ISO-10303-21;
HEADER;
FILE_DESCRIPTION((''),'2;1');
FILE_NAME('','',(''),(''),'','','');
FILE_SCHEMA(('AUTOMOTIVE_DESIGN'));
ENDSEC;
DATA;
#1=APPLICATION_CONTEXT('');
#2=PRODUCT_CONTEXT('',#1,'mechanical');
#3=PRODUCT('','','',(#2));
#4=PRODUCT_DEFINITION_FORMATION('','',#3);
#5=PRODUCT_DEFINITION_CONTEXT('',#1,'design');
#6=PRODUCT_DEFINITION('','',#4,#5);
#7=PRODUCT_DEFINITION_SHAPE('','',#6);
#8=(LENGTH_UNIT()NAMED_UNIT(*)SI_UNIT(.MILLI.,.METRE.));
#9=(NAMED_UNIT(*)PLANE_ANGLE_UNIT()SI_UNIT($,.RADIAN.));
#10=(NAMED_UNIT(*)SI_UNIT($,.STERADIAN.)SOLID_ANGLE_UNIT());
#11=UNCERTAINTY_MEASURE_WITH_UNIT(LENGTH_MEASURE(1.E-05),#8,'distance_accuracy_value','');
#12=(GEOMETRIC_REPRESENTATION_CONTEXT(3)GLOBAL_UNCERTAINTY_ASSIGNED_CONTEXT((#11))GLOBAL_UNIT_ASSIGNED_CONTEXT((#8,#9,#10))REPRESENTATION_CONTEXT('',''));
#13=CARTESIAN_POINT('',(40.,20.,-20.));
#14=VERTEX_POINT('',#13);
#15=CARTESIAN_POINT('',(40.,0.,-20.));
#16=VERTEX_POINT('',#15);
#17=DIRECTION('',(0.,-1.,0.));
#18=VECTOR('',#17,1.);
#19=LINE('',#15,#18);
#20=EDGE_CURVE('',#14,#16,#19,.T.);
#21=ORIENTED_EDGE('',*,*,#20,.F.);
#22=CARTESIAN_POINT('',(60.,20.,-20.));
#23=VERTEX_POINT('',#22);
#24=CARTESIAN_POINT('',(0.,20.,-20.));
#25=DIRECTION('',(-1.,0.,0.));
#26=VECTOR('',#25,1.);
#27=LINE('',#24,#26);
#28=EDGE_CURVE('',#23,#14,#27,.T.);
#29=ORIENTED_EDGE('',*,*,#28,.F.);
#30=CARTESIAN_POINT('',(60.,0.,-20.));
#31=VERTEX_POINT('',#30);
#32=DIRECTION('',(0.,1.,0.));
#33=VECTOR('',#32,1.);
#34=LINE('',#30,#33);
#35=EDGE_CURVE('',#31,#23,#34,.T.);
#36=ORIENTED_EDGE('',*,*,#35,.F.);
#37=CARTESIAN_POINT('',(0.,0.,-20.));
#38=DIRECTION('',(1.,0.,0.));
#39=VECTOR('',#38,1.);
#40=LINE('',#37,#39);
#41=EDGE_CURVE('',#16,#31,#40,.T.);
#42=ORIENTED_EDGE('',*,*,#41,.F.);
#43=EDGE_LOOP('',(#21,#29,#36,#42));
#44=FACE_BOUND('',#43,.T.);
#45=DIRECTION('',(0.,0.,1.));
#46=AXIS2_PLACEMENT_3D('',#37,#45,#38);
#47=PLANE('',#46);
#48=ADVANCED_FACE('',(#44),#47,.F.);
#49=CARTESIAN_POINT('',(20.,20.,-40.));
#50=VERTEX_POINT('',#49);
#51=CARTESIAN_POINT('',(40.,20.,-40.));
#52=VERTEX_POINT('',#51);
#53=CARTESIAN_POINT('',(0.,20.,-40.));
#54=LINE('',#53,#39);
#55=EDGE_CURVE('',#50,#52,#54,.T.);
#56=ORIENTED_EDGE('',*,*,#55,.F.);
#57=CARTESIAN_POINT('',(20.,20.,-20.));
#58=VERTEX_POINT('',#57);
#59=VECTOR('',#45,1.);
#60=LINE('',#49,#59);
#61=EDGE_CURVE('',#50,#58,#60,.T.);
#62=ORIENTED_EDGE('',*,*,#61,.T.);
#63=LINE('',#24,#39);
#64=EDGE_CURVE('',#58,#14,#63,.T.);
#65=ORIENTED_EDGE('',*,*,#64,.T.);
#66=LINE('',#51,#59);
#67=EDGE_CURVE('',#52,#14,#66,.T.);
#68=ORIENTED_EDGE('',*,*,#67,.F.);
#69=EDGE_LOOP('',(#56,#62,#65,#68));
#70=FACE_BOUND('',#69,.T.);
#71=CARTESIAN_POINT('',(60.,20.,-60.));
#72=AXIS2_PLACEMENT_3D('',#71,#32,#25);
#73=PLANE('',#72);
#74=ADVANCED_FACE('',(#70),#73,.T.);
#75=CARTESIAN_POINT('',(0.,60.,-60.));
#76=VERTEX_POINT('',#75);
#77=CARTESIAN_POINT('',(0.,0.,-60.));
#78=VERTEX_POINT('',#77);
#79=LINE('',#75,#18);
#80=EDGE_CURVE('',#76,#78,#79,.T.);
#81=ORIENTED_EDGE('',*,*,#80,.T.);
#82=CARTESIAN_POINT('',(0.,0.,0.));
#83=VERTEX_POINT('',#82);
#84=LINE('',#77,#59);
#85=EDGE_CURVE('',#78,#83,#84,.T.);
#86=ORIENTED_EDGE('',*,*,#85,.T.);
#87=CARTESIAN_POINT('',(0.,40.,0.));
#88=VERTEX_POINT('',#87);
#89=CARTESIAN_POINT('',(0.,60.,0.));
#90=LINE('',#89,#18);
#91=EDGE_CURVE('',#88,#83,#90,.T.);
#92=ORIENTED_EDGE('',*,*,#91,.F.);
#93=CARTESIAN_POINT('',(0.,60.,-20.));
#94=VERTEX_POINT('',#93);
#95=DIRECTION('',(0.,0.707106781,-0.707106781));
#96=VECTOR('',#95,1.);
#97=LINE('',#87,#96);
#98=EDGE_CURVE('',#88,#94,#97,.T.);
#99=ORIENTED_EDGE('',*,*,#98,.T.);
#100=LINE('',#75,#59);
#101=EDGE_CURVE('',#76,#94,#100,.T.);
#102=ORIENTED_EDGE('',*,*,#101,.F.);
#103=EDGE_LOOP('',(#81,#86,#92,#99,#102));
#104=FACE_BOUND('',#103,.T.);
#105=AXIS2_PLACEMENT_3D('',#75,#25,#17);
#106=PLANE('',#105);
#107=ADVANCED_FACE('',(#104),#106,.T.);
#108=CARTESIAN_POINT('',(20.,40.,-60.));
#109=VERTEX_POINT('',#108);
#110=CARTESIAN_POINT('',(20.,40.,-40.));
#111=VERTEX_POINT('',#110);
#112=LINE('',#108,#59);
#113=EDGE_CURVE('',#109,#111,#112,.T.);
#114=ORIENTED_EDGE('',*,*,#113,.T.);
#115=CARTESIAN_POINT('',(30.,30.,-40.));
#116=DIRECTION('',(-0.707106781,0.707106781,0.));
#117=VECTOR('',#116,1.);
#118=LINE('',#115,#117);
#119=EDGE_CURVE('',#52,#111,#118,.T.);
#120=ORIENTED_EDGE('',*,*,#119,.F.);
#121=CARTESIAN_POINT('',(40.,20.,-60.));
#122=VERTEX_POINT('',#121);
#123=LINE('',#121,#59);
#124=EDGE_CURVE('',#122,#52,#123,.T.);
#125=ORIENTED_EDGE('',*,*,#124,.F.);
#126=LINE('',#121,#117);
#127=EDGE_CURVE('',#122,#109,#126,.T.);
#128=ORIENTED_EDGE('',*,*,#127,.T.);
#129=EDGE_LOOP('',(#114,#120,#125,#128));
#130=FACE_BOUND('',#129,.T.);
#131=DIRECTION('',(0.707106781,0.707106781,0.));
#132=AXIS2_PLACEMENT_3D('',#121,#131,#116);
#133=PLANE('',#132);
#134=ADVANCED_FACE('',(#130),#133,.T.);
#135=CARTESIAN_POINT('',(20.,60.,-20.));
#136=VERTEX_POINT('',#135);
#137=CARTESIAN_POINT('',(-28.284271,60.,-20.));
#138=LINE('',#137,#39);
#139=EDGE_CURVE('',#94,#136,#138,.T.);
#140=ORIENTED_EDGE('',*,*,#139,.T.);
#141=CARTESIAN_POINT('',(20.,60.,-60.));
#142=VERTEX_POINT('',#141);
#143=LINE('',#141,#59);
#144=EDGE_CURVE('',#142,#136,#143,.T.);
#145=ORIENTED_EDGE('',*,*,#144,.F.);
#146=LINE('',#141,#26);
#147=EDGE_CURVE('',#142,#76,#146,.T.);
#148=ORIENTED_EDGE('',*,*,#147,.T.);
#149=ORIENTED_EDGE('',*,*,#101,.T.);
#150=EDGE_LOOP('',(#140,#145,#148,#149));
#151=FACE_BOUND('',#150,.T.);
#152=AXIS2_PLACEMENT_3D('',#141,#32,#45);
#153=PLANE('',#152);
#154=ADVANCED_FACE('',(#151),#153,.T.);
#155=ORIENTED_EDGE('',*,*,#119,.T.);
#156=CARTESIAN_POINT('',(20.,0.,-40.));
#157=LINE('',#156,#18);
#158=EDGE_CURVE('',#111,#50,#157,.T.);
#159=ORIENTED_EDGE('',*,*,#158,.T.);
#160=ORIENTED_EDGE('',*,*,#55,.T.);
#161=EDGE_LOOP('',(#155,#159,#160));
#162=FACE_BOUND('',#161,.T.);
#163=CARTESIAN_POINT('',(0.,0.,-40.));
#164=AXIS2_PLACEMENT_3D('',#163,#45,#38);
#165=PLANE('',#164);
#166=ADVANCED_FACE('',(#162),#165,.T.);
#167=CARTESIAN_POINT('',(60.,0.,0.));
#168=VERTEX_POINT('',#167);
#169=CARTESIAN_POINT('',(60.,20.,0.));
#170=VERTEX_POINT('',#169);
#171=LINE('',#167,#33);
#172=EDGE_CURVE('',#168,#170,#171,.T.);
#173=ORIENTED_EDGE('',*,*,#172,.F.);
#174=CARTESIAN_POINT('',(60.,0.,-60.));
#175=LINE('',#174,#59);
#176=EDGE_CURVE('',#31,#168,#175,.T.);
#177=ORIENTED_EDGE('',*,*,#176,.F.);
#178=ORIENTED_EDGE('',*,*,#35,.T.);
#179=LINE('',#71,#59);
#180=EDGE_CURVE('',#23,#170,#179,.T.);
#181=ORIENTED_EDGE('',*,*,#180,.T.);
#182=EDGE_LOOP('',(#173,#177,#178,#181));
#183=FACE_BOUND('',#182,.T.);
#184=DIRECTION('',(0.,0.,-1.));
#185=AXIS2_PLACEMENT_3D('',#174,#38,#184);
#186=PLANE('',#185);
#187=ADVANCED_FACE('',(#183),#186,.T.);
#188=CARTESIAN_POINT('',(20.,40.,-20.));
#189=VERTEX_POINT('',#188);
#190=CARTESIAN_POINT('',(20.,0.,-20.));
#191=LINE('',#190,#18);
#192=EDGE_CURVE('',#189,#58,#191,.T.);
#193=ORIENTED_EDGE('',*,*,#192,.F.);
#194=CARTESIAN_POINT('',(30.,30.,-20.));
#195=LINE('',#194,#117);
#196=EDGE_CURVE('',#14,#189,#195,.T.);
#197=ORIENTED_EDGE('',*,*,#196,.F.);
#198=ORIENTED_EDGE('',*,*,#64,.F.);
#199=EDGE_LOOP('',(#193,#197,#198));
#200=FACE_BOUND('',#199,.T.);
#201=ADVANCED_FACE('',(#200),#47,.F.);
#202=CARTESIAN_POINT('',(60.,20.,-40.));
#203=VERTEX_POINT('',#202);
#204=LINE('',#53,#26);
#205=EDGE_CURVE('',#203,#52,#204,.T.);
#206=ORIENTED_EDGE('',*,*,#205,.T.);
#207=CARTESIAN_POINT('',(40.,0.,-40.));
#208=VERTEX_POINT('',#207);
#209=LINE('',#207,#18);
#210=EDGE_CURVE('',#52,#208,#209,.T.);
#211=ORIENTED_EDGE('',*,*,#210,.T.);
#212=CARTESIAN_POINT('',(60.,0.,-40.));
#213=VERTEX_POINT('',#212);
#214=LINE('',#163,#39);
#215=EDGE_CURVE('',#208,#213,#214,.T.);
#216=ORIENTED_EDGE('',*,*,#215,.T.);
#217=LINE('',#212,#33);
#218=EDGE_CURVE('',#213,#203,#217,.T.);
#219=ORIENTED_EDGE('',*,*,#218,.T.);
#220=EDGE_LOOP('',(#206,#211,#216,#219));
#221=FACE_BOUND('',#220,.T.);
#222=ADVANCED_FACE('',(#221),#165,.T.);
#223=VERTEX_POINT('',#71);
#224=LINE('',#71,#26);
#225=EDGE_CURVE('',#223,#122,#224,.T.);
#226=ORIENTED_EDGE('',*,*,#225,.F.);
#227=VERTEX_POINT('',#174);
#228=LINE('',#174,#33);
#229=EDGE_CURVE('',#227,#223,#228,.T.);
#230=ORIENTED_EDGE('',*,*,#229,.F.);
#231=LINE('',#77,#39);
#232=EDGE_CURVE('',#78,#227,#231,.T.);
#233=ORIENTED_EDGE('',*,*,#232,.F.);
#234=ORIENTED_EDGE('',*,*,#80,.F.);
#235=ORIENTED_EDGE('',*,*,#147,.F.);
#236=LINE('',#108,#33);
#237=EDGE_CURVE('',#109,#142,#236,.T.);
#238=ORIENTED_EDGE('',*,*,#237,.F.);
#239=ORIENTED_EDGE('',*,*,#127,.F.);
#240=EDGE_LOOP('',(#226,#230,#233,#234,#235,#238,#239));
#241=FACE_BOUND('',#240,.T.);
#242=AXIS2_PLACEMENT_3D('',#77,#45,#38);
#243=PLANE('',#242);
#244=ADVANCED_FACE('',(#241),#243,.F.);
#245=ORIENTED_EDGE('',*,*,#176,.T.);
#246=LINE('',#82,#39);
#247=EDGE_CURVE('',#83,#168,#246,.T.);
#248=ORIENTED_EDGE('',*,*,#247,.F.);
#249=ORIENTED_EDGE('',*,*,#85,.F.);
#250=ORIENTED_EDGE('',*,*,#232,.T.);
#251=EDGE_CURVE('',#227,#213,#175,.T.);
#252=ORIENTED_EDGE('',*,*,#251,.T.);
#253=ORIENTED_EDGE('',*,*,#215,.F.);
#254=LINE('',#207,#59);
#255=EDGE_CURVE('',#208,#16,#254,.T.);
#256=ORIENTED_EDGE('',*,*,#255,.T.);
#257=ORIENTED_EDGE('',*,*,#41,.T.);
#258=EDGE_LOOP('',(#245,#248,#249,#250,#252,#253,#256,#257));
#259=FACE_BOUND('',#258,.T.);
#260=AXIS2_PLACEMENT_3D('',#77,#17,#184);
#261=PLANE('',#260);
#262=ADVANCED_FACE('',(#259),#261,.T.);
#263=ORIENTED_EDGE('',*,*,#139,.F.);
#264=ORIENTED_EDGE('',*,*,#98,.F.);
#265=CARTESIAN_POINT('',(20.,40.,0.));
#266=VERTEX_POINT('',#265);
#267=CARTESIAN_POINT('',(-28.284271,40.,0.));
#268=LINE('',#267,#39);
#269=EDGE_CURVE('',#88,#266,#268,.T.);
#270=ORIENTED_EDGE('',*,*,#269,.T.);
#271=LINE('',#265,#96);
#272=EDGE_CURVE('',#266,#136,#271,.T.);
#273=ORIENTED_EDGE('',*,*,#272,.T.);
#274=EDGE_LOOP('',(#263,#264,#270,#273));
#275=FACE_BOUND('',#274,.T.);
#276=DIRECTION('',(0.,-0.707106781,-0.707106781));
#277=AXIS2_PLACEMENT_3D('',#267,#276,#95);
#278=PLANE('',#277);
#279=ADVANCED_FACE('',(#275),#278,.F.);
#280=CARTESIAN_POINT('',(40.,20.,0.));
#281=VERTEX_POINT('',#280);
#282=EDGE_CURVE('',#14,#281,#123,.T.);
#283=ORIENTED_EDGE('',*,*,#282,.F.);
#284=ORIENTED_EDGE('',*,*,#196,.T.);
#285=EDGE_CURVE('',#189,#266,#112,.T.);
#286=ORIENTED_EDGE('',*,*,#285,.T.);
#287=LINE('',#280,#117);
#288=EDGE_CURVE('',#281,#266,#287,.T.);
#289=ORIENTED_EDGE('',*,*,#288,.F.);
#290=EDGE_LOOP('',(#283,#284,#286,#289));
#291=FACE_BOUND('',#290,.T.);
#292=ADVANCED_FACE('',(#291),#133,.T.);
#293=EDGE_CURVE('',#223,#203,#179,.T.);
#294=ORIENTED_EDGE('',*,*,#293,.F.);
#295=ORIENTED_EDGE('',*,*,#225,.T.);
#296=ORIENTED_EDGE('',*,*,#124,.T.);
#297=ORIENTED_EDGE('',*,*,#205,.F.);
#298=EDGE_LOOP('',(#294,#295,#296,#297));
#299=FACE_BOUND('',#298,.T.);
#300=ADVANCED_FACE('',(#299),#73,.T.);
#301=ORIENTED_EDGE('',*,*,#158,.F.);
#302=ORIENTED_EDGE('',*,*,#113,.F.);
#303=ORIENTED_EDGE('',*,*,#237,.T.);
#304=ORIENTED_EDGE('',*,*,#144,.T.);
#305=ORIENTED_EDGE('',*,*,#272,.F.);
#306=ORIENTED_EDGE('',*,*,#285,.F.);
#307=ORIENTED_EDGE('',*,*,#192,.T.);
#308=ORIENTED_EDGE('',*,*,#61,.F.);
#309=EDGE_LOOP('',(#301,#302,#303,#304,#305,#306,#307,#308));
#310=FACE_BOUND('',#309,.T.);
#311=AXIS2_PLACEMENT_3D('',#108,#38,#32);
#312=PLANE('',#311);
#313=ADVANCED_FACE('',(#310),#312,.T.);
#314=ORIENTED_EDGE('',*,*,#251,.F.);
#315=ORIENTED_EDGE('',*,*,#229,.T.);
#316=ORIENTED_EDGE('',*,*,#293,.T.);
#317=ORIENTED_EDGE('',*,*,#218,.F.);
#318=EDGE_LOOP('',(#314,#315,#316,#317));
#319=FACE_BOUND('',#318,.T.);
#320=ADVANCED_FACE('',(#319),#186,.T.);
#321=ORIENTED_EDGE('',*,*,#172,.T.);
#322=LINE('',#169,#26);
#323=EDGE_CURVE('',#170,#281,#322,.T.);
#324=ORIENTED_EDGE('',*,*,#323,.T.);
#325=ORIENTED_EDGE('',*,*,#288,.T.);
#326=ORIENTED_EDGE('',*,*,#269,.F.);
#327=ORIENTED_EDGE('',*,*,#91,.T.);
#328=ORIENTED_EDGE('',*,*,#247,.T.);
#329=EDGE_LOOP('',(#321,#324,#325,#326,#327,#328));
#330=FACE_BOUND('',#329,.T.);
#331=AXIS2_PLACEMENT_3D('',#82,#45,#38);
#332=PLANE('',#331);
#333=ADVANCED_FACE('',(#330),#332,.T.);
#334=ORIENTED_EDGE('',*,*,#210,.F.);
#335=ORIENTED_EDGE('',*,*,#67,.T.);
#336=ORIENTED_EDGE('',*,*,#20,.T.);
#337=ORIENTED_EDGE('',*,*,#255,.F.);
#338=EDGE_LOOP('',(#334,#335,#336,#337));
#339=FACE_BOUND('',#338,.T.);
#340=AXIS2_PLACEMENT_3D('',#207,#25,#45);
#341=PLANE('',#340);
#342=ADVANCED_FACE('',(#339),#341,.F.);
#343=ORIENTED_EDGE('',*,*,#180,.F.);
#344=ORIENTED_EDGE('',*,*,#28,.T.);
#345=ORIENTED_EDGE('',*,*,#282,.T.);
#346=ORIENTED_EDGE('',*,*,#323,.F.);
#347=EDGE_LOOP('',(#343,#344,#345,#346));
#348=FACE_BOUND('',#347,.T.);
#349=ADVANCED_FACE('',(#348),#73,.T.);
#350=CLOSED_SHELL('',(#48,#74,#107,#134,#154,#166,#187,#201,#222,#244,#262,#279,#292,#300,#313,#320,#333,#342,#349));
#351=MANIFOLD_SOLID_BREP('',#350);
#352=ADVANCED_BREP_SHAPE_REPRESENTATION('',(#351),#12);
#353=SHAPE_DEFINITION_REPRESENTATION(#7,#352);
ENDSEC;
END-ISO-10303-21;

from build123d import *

# Parameters (mm, degrees)
SALIENTE_EXTRUIR1_DEPTH = 60
CORTAR_EXTRUIR1_DEPTH   = 20
CROQUIS6_W              = 20
CROQUIS6_H              = 20
CORTAR_EXTRUIR3_DEPTH   = 10


with BuildPart() as part:
    # Croquis3 → Saliente-Extruir1 (new body)
    with BuildSketch(Plane.XY):
        Polygon((0, 0), (60, 0), (60, 20), (40, 20), (20, 40), (20, 60), (0, 60), align=None)
    extrude(amount=-SALIENTE_EXTRUIR1_DEPTH)

    # Croquis4 → Cortar-Extruir1 (cut)
    with BuildSketch(Plane(origin=(20, 0, 0), x_dir=(0, 0, -1), z_dir=(1, 0, 0))):
        Polygon((0, 40), (20, 60), (0, 60), align=None)
    extrude(amount=-CORTAR_EXTRUIR1_DEPTH, mode=Mode.SUBTRACT)

    # Croquis6 → Cortar-Extruir3 (cut, symmetric)
    with BuildSketch(Plane.XY.offset(-30)):
        Polygon((20, 40), (20, 20), (40, 20), align=None)
        with Locations((50, 10)):
            Rectangle(CROQUIS6_W, CROQUIS6_H)
    extrude(amount=CORTAR_EXTRUIR3_DEPTH, both=True, mode=Mode.SUBTRACT)


solid = part.part
